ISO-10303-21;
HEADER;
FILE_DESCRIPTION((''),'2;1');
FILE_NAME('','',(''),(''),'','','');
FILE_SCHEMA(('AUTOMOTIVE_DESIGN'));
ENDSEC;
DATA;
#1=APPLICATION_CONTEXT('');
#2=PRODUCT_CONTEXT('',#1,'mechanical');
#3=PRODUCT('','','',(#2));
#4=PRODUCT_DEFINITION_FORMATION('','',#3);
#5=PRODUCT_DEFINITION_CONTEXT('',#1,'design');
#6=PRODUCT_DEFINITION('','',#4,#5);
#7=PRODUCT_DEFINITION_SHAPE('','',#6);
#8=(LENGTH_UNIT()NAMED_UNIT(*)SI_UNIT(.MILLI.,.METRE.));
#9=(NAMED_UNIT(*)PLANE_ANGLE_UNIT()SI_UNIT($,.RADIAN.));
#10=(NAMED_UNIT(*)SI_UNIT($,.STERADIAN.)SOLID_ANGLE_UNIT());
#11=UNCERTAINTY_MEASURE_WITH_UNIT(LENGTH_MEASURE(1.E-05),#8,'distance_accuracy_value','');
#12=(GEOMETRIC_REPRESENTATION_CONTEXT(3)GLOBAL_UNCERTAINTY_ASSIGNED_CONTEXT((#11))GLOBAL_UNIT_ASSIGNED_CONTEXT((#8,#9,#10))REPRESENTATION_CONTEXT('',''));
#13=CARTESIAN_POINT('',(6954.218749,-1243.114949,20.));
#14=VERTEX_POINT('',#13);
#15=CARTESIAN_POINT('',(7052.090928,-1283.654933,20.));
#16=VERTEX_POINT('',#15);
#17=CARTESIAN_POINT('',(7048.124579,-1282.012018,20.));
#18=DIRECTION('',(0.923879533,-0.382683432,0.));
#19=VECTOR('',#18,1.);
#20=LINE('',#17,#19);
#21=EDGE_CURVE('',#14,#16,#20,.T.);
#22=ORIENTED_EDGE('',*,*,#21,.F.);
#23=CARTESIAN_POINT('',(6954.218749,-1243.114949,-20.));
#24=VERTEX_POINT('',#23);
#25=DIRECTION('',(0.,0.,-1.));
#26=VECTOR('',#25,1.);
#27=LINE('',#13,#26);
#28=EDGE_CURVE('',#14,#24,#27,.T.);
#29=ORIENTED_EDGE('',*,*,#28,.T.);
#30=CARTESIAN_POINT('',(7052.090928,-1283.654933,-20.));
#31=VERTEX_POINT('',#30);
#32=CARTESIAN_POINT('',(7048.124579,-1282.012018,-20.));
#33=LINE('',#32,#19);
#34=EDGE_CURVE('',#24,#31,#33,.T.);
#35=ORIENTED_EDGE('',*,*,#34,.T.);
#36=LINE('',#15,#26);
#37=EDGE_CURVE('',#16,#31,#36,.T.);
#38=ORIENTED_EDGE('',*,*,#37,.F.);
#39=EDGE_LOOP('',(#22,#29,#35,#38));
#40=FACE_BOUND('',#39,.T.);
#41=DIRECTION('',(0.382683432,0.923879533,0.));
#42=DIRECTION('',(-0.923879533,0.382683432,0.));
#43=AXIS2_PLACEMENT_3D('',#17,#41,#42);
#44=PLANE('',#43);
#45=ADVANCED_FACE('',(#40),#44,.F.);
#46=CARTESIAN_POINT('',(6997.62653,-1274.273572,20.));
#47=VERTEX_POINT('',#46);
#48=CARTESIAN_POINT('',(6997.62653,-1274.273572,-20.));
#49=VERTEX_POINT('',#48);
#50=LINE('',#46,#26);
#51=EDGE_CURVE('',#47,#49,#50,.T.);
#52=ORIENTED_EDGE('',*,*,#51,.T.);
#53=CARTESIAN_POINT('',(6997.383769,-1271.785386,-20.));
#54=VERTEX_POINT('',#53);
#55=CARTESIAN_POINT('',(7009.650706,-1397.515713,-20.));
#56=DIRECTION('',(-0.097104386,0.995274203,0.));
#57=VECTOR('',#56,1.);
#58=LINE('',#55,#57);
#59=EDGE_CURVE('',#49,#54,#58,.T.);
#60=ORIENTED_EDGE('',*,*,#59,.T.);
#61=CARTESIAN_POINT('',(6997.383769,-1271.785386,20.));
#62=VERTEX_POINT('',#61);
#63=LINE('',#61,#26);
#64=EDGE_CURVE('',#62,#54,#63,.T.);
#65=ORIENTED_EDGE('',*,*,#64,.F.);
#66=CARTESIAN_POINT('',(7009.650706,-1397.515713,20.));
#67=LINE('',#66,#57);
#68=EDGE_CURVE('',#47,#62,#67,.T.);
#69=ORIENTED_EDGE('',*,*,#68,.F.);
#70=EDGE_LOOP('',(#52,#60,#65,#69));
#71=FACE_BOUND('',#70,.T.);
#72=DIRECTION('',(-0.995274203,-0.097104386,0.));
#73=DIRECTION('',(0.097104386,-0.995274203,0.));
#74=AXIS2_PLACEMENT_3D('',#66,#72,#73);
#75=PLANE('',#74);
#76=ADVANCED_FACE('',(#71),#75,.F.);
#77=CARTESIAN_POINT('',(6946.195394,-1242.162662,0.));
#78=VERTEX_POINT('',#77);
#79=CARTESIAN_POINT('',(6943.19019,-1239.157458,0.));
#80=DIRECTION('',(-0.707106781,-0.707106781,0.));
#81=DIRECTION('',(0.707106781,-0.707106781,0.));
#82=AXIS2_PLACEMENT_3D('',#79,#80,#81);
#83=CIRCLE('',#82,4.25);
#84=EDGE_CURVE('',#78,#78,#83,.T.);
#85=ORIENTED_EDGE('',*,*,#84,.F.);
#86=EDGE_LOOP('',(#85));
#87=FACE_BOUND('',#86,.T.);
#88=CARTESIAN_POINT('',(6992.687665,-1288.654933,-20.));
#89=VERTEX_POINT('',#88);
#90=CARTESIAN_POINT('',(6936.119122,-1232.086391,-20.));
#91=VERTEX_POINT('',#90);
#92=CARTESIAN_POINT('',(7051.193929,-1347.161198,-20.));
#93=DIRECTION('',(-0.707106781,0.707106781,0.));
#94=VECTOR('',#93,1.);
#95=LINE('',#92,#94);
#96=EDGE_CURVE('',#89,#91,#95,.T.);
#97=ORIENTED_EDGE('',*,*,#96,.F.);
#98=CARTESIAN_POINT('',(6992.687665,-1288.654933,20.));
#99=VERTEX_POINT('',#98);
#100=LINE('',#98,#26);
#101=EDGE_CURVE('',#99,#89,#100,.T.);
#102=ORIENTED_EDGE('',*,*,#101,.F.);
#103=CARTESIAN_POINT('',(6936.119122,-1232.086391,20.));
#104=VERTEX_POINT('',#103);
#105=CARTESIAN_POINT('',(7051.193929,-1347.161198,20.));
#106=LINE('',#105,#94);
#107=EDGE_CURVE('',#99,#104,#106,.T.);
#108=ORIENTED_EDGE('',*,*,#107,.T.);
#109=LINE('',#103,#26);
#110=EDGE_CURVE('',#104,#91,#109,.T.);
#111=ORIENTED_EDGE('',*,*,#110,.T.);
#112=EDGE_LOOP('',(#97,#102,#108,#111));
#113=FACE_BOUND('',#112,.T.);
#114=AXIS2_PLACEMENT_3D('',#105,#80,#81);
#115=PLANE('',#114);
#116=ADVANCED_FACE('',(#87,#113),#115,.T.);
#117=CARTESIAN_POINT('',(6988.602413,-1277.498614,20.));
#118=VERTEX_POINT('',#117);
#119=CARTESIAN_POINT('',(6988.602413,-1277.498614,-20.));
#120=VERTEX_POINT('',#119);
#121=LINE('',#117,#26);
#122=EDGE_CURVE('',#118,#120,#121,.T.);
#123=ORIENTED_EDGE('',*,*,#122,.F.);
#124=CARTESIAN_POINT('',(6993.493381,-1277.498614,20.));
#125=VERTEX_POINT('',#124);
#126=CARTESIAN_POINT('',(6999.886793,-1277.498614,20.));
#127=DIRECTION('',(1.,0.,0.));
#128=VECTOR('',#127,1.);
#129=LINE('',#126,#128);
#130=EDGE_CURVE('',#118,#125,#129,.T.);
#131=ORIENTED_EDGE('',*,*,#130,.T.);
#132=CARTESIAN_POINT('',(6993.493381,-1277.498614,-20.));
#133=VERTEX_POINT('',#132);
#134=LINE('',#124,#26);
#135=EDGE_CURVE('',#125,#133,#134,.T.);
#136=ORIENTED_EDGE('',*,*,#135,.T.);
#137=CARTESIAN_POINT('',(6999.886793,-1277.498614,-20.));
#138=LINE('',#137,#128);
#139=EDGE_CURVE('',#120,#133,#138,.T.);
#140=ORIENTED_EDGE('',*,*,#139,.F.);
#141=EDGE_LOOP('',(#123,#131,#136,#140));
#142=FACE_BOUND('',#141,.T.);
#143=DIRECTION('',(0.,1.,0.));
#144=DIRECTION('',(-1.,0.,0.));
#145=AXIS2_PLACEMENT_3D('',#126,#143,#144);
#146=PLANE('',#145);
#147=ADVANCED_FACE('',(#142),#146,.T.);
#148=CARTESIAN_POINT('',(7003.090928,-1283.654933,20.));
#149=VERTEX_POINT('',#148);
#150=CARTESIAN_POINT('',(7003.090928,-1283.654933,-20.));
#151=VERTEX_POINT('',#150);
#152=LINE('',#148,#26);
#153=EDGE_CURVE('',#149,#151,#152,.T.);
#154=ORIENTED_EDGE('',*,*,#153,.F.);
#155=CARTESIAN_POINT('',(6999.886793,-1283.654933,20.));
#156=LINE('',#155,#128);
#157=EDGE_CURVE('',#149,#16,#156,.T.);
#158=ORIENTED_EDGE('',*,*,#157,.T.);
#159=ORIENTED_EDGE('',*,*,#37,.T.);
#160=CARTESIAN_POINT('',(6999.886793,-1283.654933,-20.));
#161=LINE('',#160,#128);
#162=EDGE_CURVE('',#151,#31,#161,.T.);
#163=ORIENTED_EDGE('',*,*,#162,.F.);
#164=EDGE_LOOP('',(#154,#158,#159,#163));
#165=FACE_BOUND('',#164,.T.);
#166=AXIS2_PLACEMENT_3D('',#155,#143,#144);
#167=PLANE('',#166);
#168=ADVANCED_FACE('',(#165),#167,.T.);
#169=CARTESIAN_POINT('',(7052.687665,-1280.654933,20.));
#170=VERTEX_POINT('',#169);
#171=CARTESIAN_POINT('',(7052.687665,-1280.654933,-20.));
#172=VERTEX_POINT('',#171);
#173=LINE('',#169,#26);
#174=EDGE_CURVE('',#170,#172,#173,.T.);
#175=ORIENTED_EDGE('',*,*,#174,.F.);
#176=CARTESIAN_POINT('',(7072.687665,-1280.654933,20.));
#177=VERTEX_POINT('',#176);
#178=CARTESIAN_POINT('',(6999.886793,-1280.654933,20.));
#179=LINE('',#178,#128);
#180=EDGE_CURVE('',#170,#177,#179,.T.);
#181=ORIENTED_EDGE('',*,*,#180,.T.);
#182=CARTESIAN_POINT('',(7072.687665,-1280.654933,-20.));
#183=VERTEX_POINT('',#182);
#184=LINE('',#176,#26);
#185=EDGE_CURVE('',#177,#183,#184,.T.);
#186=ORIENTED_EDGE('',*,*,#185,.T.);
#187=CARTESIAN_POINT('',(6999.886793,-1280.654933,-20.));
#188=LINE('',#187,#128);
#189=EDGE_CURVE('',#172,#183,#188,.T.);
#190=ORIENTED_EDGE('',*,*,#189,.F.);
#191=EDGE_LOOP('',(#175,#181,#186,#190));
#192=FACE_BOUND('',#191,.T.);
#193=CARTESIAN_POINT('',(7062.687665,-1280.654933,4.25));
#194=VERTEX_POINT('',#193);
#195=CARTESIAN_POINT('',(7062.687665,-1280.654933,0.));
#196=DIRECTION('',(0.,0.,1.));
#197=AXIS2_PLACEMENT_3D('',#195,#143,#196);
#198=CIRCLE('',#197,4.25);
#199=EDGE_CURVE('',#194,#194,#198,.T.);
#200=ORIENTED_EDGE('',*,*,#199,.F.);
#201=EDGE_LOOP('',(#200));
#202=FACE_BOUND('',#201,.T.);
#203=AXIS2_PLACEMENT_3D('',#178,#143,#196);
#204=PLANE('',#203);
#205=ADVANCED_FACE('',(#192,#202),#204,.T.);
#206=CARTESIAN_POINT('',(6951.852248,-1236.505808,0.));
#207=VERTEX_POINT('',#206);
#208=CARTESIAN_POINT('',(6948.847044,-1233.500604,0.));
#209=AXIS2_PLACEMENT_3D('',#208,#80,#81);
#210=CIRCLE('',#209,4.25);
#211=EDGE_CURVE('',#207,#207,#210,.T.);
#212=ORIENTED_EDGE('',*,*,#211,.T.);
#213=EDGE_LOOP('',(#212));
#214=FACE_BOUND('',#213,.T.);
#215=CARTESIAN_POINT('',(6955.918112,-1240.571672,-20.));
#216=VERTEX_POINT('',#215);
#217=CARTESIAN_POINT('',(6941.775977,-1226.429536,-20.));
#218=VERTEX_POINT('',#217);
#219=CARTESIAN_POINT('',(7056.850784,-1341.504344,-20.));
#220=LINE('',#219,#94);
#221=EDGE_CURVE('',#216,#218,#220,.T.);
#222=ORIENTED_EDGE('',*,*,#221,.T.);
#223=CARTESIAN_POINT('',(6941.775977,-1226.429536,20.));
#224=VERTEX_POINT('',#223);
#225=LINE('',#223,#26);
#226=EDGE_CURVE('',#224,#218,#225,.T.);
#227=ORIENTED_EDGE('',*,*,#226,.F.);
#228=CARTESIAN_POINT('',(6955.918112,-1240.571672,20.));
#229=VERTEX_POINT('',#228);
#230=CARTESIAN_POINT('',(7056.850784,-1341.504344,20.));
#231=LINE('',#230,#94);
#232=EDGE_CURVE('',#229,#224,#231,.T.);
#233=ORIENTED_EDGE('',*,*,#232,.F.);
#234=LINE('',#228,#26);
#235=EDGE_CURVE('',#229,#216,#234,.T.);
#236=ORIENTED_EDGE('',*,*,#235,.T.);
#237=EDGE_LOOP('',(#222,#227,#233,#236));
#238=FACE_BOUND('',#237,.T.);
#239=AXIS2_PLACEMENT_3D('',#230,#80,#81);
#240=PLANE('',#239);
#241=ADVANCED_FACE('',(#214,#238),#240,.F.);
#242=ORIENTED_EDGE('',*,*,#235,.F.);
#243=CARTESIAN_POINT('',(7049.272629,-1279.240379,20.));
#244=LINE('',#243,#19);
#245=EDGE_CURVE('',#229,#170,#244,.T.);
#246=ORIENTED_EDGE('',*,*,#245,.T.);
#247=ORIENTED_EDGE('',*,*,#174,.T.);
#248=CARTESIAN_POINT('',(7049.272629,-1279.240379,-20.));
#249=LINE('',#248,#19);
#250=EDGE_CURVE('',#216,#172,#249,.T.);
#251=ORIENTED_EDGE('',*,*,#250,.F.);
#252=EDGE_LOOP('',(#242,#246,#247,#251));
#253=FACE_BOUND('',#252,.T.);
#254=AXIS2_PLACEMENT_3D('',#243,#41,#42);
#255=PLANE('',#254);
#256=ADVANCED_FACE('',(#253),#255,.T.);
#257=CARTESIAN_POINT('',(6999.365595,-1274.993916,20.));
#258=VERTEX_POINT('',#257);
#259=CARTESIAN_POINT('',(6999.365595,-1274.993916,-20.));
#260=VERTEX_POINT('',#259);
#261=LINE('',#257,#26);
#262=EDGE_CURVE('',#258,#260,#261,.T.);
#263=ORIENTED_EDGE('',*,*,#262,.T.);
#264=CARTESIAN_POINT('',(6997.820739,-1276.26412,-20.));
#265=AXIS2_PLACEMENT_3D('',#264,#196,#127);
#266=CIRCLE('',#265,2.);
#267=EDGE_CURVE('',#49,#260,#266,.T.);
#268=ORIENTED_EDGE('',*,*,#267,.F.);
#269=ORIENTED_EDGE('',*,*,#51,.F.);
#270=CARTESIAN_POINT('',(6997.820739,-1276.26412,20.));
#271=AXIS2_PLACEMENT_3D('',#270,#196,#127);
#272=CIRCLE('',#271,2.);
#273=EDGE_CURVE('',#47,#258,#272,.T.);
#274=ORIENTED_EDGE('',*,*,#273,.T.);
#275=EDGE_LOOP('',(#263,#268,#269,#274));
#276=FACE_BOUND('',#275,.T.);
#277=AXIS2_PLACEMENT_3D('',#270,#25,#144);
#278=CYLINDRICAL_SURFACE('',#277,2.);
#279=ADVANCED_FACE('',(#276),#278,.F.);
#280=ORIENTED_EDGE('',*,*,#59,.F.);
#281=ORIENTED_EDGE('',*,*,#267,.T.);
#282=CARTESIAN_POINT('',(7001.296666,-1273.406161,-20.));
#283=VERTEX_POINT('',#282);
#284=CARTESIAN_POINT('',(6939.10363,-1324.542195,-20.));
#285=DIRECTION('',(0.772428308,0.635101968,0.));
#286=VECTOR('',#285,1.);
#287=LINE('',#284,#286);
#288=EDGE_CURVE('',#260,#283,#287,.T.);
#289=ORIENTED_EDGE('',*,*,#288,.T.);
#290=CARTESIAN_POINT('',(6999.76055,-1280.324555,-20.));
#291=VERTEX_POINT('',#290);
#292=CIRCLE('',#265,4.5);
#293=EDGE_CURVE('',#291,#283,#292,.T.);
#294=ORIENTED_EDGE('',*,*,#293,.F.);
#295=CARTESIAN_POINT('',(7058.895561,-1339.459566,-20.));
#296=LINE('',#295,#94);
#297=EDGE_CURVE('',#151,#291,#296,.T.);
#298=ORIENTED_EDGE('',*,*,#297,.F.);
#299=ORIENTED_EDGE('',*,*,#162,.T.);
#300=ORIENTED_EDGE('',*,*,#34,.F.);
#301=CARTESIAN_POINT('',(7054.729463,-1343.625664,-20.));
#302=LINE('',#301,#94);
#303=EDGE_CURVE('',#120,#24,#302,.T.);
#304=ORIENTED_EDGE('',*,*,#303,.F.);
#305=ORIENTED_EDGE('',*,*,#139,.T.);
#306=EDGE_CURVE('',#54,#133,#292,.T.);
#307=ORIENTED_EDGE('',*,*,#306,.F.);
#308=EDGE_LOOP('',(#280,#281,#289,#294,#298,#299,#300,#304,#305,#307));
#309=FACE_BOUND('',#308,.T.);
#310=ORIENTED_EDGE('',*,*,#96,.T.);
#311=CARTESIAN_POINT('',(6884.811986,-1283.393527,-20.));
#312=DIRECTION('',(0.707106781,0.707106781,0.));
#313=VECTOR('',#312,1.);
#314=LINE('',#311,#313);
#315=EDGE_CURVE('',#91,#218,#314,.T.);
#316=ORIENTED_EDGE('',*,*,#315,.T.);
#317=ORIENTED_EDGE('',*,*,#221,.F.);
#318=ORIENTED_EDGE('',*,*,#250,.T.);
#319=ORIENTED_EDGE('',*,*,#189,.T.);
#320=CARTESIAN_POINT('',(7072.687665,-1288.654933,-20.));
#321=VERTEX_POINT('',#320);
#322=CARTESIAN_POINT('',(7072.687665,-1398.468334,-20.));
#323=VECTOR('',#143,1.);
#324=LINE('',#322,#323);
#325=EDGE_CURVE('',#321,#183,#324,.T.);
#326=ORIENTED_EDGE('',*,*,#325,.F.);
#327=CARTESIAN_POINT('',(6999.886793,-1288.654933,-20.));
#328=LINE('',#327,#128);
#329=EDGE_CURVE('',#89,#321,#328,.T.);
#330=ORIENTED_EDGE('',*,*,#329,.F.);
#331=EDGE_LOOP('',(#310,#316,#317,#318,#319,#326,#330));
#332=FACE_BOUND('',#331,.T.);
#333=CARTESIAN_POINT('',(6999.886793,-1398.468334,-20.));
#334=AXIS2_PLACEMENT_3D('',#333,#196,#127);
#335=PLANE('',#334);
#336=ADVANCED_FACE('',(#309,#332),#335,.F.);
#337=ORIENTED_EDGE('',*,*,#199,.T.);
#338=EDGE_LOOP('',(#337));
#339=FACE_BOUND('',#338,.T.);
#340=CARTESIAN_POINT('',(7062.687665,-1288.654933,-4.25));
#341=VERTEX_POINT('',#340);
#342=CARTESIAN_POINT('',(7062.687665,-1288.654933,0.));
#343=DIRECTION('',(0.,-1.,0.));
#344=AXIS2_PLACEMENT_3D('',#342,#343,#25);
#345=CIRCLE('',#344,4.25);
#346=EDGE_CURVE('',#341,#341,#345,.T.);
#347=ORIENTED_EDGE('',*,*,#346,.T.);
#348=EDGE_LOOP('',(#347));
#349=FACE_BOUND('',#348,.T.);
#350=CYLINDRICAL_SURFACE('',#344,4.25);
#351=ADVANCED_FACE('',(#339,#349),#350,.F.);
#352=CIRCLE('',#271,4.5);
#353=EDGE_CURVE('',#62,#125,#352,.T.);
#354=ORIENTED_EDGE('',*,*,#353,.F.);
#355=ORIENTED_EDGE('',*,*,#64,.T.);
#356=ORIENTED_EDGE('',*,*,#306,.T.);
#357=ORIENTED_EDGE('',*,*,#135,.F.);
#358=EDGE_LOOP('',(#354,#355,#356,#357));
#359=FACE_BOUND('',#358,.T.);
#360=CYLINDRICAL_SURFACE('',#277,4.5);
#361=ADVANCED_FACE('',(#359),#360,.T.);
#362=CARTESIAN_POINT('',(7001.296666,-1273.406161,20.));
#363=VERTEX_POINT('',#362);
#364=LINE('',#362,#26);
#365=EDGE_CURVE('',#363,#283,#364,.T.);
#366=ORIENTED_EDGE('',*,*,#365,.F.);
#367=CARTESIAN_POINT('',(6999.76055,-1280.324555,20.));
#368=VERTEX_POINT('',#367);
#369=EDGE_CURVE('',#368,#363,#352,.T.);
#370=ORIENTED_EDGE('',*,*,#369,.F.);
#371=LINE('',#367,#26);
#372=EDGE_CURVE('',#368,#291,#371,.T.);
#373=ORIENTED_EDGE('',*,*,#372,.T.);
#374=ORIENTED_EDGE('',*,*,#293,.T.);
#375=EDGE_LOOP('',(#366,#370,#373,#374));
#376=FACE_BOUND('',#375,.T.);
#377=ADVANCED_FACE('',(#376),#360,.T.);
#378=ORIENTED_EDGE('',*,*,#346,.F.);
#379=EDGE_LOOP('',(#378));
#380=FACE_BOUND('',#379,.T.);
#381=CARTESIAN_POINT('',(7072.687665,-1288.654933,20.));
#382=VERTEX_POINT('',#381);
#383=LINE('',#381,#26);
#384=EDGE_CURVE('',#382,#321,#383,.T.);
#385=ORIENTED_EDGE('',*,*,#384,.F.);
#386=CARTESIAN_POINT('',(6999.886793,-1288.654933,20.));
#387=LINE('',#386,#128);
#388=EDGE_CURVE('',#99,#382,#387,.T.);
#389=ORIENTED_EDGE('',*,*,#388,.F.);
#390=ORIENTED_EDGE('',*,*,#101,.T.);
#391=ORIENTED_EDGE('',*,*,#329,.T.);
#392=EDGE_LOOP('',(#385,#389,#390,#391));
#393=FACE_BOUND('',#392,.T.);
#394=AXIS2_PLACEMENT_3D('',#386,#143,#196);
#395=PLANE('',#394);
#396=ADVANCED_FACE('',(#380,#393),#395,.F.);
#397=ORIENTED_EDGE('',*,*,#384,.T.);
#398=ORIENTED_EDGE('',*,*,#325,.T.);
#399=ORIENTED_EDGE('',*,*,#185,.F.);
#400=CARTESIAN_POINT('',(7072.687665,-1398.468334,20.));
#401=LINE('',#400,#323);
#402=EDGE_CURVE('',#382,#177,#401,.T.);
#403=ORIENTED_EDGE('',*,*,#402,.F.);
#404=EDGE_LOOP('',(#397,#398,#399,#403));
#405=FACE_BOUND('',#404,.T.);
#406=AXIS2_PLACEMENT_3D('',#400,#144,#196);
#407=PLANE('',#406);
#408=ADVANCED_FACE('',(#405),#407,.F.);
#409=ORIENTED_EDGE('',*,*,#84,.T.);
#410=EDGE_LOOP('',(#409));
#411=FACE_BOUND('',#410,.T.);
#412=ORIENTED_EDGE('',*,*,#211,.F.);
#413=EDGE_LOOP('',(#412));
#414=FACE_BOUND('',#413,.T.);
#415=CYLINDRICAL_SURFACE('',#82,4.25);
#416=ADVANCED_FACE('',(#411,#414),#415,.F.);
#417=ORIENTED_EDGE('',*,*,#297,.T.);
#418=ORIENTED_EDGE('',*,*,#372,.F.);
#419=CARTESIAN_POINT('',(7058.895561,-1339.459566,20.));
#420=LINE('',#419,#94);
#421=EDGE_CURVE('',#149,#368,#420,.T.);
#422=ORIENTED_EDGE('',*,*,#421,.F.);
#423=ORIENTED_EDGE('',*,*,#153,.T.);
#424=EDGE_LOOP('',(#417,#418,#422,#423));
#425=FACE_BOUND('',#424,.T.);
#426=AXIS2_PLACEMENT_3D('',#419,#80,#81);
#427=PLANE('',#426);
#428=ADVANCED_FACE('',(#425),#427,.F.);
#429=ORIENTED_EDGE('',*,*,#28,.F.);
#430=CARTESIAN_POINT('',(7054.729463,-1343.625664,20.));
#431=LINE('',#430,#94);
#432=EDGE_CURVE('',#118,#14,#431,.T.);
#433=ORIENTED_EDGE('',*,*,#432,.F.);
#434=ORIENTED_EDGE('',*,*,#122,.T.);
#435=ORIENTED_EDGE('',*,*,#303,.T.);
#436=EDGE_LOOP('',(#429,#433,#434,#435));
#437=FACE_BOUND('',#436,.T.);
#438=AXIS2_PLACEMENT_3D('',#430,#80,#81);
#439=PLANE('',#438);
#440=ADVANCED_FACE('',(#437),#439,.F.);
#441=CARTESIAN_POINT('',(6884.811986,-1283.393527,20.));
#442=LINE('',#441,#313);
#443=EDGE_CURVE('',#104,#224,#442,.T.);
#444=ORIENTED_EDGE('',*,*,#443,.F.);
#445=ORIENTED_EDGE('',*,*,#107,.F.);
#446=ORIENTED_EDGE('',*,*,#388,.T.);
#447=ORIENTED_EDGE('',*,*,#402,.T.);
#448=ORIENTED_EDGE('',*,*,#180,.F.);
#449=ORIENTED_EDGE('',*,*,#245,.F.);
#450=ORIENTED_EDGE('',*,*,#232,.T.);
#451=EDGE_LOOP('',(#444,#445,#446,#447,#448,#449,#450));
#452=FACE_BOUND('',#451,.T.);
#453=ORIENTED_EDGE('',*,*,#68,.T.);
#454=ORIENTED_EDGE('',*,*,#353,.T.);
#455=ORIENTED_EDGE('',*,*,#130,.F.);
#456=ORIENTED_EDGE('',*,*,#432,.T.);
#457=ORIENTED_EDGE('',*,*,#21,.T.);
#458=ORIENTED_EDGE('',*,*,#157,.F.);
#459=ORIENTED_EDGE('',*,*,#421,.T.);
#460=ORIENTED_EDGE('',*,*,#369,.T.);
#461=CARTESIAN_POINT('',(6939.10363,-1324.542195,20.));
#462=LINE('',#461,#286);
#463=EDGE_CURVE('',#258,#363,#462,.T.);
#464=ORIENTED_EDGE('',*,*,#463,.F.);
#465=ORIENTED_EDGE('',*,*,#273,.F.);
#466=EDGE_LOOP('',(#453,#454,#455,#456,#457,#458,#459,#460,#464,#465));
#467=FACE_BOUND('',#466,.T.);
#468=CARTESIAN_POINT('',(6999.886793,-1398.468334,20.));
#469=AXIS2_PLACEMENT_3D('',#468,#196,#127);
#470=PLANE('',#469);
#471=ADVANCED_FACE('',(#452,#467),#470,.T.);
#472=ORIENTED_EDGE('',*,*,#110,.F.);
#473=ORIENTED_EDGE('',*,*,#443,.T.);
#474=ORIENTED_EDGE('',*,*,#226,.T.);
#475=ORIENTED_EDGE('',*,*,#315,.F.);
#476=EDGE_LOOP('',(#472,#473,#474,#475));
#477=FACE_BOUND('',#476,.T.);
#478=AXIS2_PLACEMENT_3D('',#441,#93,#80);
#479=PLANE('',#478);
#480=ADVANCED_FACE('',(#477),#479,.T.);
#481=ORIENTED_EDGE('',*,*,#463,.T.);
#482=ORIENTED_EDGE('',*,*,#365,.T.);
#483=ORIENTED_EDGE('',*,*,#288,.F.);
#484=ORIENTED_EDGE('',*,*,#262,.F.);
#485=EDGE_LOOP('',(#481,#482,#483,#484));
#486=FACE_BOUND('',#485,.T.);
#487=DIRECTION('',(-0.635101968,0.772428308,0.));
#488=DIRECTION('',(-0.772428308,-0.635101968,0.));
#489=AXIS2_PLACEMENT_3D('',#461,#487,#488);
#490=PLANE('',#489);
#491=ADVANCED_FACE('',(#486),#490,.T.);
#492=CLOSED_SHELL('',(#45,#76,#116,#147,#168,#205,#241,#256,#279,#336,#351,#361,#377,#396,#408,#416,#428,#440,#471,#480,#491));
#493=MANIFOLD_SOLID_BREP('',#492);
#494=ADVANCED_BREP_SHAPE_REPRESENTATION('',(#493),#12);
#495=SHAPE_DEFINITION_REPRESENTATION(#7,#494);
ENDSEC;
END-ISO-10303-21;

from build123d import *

# Parameters (mm, degrees)
EXTRUDE_1_DEPTH         = 20
HOLE_WIZARD_8_5_8_5_1_D = 8.5
HOLE_WIZARD_8_5_8_5_2_D = 8.5


with BuildPart() as part:
    # 草图1 → 凸台-拉伸1 (new, symmetric)
    with BuildSketch(Plane.XY):
        Polygon((6936.119122288, -1232.086390659), (6992.687664783, -1288.654933154), (7072.687664783, -1288.654933154), (7072.687664783, -1280.654933154), (7052.687664783, -1280.654933154), (6955.918112162, -1240.571672033), (6941.775976538, -1226.429536409), align=None)
        with BuildLine():
            Line((7009.090927681, -1283.654933154), (7003.090927681, -1283.654933154))
            Line((7003.090927681, -1283.654933154), (6999.760549745, -1280.324555218))
            ThreePointArc((6999.760549745, -1280.324555218), (7002.213755914, -1277.239517812), (7001.296666197, -1273.406161221))
            Line((7001.296666197, -1273.406161221), (6999.365595427, -1274.993916141))
            ThreePointArc((6999.365595427, -1274.993916141), (6997.055371947, -1278.111879141), (6997.626530039, -1274.273571671))
            Line((6997.626530039, -1274.273571671), (6997.383769074, -1271.785386165))
            ThreePointArc((6997.383769074, -1271.785386165), (6994.101203016, -1273.731324494), (6993.49338103, -1277.49861375))
            Line((6993.49338103, -1277.49861375), (6988.602413191, -1277.49861375))
            Line((6988.602413191, -1277.49861375), (6954.21874867, -1243.114949228))
            Line((6954.21874867, -1243.114949228), (7052.090927681, -1283.654933154))
            Line((7052.090927681, -1283.654933154), (7029.403393536, -1283.654933154))
            Line((7029.403393536, -1283.654933154), (7009.090927681, -1283.654933154))
        make_face(mode=Mode.SUBTRACT)
    extrude(amount=EXTRUDE_1_DEPTH, both=True)

    # Ø8.5 (8.5) 直径孔1 (through all)
    with Locations(Plane(origin=(2852.016365815, 2852.016365815, 0), x_dir=(0.7071067811865628, -0.7071067811865324, 0), z_dir=(-0.7071067811865324, -0.7071067811865628, 0))):
        with Locations((5785.79350833, 0)):
            Hole(HOLE_WIZARD_8_5_8_5_1_D / 2)

    # Ø8.5 (8.5) 直径孔2 (through all)
    with Locations(Plane.XZ.offset(1288.654933154)):
        with Locations((7062.687664783, 0)):
            Hole(HOLE_WIZARD_8_5_8_5_2_D / 2)


solid = part.part
